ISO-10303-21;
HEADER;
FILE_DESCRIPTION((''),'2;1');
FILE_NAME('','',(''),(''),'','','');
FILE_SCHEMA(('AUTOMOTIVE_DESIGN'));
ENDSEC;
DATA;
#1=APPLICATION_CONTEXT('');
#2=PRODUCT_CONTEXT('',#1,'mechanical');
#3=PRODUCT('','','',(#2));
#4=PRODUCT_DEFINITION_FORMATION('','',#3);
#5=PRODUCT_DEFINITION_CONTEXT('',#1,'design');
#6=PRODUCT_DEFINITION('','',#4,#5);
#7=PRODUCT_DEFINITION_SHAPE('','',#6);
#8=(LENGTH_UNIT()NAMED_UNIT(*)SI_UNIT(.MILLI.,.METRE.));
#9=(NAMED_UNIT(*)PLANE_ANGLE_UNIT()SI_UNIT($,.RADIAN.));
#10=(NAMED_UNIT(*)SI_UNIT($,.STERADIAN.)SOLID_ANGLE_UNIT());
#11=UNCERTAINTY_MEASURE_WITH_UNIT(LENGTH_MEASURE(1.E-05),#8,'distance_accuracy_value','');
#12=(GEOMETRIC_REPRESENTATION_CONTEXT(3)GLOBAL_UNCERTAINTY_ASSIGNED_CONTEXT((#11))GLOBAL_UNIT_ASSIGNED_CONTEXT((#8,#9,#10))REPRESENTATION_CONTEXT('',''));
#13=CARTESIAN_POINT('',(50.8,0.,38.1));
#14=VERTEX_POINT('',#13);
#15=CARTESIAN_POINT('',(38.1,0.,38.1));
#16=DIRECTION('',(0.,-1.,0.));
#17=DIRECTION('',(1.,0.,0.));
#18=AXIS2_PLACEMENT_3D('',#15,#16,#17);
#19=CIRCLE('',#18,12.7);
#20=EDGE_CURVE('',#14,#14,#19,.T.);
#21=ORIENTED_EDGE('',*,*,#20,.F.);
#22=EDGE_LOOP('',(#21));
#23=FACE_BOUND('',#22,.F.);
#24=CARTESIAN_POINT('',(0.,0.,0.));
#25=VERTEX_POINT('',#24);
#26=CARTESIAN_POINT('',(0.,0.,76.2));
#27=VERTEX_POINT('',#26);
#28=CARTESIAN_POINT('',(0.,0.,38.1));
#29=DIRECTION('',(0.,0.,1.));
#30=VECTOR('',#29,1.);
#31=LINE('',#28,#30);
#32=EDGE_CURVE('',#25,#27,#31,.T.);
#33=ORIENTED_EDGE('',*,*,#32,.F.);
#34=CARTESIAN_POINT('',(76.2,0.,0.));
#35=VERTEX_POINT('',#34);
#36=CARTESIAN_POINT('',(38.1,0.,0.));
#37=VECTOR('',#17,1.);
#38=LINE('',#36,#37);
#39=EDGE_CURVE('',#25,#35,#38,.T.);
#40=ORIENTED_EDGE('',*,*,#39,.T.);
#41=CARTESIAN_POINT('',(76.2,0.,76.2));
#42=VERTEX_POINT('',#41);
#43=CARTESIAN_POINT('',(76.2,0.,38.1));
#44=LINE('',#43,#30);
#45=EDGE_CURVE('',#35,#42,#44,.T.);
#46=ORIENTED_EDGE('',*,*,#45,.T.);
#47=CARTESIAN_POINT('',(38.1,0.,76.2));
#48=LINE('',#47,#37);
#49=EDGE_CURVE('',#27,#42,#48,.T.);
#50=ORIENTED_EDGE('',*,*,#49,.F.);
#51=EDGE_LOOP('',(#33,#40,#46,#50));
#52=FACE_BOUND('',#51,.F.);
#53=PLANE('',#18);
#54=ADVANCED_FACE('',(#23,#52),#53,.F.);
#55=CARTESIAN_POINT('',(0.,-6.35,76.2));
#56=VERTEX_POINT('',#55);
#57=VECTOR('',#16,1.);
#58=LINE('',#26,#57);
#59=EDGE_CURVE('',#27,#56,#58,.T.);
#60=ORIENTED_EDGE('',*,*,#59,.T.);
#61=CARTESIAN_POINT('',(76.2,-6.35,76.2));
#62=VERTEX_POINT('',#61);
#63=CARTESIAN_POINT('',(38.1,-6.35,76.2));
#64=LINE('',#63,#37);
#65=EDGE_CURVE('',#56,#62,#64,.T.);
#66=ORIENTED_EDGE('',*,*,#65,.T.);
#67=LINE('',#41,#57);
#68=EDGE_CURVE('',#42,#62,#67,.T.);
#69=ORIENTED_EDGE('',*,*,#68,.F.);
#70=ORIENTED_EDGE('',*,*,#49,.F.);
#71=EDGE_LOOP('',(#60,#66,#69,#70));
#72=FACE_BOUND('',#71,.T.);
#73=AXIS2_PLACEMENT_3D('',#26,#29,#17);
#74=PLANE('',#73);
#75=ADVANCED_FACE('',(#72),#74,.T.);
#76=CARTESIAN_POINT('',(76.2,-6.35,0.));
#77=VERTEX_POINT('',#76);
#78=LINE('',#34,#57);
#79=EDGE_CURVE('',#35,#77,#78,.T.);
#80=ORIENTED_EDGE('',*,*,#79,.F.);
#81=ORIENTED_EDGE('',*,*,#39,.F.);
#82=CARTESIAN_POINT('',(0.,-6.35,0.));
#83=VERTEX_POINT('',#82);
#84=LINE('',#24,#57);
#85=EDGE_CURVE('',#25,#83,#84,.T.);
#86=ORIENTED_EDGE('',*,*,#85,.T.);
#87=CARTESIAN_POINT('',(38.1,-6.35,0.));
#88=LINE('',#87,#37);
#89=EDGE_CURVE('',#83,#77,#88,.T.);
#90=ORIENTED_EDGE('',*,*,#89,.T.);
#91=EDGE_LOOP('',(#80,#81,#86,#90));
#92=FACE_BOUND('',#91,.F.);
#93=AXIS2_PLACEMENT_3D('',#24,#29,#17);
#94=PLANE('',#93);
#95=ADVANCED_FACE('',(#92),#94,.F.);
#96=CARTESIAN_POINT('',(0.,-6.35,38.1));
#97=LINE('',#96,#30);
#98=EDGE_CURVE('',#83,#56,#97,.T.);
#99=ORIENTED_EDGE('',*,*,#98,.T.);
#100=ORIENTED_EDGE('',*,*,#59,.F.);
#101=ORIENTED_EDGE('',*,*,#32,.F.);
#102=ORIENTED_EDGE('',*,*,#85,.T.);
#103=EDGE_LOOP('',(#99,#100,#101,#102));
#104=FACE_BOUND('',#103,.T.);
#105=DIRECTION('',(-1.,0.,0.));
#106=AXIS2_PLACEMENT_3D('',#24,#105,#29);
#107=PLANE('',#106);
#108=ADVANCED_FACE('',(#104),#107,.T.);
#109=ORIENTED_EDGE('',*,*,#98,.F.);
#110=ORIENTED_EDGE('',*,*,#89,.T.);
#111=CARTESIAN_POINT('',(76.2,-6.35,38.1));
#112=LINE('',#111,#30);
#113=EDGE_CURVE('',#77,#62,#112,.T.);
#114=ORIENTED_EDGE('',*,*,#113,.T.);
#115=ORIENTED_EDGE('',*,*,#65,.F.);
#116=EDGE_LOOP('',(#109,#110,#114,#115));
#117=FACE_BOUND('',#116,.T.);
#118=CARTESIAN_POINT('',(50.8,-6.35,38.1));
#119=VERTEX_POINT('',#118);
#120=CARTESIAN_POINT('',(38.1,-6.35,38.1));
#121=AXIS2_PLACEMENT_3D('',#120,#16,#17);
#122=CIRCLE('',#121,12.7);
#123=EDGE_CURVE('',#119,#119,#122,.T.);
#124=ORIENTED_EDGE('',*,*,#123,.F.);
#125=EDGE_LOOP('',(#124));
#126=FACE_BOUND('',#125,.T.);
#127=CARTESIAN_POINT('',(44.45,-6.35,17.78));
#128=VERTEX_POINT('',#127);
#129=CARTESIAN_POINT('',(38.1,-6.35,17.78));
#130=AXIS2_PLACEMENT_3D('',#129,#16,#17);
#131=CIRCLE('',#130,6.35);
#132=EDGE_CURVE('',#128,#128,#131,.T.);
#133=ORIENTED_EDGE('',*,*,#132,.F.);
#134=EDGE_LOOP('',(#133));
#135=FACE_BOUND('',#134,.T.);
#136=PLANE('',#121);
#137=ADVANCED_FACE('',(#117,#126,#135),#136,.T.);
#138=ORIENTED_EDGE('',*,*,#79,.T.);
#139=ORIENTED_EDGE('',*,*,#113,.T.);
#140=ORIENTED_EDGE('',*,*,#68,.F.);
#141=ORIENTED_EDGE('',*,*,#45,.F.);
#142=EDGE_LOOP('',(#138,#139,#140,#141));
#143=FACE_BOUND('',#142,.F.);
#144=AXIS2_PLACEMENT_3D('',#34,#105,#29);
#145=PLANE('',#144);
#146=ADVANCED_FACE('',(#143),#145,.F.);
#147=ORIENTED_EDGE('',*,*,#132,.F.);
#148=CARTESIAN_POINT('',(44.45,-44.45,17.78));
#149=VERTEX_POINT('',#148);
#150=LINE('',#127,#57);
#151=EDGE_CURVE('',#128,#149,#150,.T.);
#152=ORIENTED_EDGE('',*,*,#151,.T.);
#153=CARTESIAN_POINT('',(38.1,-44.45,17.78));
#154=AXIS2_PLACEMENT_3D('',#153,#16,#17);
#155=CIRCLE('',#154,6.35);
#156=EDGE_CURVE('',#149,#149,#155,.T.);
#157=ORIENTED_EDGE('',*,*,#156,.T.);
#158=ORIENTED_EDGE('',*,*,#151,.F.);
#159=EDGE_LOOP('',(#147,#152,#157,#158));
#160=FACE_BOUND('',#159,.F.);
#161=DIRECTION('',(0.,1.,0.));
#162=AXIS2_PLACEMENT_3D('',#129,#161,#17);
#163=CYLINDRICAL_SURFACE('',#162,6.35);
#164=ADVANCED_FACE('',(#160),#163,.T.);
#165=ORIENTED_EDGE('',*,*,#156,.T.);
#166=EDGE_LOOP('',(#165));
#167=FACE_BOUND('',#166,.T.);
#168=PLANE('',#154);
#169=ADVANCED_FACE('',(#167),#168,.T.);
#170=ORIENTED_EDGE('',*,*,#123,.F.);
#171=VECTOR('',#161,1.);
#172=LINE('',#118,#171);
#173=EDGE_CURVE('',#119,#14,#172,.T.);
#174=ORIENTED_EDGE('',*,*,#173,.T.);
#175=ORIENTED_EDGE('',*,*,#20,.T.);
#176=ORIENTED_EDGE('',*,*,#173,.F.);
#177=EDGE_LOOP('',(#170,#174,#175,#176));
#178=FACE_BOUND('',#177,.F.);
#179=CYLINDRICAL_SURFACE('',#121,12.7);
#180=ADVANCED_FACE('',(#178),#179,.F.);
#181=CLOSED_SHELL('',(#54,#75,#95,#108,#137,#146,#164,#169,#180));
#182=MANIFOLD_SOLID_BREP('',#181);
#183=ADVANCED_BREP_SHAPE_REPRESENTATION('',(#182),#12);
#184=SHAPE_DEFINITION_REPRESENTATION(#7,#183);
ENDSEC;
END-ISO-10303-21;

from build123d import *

# Parameters (mm, degrees)
F0_W     = 76.2
F0_H     = 76.2
F1_DEPTH = 6.35
F2_R     = 12.7
F3_DEPTH = 25.4
F4_R     = 6.35
F5_DEPTH = 38.1


with BuildPart() as f1:
    # F0 (on Front) → F1 (new body)
    with BuildSketch(Plane.XZ):
        with Locations((38.1, 38.1)):
            Rectangle(F0_W, F0_H)
    extrude(amount=F1_DEPTH)

    # F2 (on face) → F3 (cut)
    with BuildSketch(Plane.XZ.offset(6.35)):
        with Locations((38.1, 38.1)):
            Circle(F2_R)
    extrude(amount=-F3_DEPTH, mode=Mode.SUBTRACT)

    # F4 (on face) → F5 (join)
    with BuildSketch(Plane.XZ.offset(6.35)):
        with Locations((38.1, 17.78)):
            Circle(F4_R)
    extrude(amount=F5_DEPTH)


solid = f1.part
